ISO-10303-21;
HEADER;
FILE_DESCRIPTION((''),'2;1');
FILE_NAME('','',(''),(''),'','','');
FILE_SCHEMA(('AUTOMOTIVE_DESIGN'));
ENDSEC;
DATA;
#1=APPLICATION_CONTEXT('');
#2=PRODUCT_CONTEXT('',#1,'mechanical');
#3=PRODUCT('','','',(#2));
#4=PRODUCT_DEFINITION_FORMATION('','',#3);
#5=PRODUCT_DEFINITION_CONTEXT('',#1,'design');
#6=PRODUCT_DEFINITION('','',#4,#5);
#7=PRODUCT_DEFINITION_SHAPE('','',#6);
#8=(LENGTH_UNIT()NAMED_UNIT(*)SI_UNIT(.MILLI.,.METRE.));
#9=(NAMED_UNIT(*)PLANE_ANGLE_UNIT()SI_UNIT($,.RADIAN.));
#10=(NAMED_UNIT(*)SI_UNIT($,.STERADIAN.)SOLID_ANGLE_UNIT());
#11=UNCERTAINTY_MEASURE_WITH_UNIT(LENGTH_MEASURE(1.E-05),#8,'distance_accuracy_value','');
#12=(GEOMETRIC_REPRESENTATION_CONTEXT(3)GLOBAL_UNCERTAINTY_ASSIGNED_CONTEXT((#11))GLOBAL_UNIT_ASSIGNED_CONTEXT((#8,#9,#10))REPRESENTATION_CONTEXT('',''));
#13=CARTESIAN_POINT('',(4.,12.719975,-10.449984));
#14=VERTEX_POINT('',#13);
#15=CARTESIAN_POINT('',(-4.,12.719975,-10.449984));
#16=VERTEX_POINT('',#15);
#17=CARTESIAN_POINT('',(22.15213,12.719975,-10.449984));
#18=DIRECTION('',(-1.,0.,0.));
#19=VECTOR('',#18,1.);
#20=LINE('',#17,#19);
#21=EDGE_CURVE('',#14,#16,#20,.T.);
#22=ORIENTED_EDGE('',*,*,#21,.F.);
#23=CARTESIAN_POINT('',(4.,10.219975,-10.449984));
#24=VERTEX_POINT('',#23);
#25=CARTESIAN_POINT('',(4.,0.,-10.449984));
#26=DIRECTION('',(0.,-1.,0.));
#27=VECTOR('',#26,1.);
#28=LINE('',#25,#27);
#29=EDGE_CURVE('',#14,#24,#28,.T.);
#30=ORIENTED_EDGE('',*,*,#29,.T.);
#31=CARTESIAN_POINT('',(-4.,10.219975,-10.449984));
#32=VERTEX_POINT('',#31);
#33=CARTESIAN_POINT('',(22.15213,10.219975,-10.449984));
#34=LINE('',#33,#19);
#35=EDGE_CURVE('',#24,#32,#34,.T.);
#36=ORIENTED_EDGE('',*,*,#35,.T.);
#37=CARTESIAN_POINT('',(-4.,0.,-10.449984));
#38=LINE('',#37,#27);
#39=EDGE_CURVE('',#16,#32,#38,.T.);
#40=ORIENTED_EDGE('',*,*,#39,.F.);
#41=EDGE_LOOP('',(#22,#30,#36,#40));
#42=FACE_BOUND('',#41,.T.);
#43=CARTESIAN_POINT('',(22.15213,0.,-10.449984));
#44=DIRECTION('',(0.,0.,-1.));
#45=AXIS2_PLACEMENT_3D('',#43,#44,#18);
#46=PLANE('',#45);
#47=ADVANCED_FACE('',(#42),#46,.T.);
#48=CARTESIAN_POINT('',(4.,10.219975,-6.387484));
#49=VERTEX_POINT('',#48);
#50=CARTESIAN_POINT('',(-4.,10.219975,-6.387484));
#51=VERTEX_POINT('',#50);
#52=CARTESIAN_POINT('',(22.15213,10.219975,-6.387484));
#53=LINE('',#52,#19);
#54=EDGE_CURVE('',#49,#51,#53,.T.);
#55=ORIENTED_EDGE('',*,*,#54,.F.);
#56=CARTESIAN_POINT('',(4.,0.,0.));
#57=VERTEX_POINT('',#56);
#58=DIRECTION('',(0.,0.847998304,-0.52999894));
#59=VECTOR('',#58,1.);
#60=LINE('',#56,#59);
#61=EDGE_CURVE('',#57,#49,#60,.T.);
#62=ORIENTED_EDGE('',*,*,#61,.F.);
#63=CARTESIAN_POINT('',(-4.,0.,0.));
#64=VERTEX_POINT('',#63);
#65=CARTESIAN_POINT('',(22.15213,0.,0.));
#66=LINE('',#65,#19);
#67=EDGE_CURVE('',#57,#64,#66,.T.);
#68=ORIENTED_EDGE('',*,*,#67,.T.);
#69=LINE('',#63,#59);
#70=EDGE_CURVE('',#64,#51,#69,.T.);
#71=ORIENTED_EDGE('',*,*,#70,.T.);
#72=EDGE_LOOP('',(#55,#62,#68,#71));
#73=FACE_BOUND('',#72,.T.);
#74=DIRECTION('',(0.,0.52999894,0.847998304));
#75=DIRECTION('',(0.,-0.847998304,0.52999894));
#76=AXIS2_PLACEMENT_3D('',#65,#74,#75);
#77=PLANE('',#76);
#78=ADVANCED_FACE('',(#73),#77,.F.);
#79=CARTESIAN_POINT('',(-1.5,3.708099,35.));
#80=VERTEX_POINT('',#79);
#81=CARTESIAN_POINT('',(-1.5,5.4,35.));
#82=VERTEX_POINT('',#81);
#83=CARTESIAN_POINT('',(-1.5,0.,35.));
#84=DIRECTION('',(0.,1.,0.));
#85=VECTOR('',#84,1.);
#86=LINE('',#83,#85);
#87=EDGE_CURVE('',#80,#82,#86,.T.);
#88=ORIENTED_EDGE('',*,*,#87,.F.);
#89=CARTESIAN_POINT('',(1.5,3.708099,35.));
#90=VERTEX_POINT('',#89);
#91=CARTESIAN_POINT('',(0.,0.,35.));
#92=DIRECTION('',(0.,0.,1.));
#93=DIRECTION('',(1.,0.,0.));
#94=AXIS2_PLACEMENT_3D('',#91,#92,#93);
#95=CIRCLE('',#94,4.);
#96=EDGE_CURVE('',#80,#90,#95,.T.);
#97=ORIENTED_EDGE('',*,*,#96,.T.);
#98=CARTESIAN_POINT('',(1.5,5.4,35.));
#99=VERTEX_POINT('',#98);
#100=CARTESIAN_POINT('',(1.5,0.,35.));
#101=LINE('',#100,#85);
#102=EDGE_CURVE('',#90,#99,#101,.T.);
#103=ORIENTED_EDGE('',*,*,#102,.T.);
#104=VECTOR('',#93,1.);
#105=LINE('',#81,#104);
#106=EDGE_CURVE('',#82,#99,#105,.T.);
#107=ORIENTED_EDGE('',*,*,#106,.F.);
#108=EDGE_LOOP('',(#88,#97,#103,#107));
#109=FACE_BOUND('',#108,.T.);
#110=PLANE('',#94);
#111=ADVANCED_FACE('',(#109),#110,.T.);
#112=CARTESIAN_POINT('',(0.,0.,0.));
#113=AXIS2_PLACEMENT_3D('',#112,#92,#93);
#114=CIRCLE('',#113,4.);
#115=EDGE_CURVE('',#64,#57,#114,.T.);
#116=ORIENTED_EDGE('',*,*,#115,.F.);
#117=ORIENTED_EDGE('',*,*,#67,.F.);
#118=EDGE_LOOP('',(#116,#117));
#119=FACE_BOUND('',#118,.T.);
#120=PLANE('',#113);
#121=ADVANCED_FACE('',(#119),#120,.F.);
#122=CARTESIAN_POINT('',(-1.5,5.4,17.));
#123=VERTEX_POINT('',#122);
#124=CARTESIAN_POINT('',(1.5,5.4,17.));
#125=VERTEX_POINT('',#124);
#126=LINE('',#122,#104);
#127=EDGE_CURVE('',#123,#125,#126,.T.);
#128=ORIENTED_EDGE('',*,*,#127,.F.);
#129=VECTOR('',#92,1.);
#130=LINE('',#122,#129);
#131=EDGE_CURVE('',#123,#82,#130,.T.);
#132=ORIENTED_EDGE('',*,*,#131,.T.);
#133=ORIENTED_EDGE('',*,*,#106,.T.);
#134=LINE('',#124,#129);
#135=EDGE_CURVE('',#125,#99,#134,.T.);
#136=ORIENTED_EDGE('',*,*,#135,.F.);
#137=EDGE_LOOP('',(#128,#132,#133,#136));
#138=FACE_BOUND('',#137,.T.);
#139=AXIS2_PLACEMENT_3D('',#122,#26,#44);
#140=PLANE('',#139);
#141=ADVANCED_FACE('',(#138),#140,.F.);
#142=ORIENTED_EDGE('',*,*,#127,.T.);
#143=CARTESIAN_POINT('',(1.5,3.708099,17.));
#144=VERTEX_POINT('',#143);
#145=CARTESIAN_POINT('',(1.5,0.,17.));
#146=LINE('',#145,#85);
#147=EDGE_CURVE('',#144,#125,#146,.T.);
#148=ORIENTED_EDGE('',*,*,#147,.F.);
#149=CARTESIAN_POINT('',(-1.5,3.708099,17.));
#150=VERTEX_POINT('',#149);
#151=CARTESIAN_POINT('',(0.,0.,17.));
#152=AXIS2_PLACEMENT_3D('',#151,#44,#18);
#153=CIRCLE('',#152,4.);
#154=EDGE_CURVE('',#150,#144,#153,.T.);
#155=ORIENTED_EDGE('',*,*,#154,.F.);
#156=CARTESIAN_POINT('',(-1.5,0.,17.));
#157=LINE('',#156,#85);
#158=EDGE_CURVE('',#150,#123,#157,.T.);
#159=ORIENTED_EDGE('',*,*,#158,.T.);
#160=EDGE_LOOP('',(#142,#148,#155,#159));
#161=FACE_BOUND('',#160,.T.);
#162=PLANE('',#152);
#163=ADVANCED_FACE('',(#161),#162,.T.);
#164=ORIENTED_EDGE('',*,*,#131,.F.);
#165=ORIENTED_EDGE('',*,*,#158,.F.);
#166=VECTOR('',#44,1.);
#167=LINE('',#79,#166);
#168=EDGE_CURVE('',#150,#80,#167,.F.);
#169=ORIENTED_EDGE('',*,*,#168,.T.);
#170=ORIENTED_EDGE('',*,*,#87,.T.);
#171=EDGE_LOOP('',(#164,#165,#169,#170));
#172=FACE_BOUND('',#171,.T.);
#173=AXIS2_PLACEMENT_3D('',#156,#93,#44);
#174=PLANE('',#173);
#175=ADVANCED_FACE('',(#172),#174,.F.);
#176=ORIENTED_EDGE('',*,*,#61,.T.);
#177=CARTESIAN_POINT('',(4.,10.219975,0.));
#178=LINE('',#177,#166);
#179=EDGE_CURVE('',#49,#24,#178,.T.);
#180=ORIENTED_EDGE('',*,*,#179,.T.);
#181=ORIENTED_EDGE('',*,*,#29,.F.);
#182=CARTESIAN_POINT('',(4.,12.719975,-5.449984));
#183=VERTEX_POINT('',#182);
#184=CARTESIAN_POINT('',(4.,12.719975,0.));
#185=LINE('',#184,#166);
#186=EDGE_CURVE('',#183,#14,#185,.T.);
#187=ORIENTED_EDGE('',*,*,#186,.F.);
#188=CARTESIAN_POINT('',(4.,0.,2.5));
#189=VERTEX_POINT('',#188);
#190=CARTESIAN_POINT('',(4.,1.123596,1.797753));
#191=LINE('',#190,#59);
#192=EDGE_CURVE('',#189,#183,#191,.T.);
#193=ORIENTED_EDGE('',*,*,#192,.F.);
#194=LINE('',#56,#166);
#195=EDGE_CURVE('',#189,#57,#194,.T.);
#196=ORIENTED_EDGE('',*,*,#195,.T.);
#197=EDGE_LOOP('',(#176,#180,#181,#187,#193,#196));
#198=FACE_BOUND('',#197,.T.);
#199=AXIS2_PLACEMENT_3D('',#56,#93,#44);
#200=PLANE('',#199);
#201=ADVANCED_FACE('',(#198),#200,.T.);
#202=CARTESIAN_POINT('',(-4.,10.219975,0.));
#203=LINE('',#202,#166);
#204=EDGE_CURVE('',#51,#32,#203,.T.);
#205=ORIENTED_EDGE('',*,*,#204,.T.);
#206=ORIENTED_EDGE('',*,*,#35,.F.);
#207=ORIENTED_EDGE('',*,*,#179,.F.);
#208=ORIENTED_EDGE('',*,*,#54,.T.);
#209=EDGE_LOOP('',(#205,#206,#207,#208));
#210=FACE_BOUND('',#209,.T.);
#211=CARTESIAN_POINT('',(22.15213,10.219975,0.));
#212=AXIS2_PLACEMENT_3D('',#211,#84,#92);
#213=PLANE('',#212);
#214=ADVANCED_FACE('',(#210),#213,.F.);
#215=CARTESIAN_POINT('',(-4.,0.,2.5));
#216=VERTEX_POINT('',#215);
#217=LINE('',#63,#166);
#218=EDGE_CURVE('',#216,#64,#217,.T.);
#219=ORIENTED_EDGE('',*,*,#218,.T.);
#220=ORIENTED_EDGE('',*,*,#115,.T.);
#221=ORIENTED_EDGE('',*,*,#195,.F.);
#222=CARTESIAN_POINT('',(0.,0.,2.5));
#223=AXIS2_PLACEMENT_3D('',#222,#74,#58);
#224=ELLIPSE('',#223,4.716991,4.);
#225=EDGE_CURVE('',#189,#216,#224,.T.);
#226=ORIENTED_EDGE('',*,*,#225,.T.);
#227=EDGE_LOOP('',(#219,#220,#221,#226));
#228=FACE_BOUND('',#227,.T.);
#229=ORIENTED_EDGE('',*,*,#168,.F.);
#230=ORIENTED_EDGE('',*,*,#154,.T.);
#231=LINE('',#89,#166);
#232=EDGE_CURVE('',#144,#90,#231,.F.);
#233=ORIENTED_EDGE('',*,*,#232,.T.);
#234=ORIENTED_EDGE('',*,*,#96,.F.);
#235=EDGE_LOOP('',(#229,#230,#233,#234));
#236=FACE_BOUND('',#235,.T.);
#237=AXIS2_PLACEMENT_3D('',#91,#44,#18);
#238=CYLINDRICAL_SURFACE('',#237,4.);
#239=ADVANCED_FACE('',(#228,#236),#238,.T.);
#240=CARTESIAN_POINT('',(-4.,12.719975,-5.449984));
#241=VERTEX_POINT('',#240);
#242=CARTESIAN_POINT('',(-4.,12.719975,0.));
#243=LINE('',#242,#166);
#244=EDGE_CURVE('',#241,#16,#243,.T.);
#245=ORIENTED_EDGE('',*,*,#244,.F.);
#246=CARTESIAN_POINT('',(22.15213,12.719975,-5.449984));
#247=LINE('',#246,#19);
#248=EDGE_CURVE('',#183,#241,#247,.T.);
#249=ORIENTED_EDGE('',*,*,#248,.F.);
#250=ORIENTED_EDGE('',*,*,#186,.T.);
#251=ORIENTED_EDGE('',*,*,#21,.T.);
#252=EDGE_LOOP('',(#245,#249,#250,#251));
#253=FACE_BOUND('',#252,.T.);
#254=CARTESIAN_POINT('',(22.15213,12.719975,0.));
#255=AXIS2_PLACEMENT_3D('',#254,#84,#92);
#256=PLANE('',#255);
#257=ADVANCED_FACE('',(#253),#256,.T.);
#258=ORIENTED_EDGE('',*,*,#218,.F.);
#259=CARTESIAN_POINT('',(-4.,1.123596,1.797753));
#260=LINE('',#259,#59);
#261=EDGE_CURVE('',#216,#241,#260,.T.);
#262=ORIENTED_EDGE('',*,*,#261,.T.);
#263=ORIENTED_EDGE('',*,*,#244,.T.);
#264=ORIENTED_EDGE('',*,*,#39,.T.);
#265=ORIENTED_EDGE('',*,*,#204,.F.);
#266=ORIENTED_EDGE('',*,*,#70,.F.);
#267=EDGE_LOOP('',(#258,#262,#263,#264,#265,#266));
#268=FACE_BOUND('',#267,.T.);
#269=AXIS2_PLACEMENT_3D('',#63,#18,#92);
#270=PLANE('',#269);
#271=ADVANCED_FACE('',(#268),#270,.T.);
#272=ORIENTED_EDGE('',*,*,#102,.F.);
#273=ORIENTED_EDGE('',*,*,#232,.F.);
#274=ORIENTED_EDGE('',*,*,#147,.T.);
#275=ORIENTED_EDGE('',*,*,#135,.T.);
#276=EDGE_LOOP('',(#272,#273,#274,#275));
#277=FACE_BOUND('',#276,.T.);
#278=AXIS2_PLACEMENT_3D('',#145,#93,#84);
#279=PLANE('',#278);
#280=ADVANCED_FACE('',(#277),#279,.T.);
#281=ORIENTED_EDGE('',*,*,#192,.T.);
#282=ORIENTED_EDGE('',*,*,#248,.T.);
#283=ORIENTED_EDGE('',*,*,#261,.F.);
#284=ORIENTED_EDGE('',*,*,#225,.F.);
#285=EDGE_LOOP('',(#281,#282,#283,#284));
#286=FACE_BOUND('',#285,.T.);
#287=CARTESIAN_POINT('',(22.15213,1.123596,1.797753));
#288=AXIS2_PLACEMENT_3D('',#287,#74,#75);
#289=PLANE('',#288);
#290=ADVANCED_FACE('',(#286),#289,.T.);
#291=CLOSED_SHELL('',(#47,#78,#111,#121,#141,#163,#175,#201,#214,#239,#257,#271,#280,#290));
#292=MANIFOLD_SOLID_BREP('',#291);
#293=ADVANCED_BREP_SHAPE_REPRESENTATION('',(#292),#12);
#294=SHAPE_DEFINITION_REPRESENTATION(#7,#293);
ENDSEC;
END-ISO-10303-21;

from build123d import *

# Parameters (mm, degrees)
SKETCH1_R                = 4
BOSS_EXTRUDE1_DEPTH      = 35
BOSS_EXTRUDE2_DEPTH      = 4
BOSS_EXTRUDE2_DEPTH_BACK = 4
SKETCH4_W                = 3
SKETCH4_H                = 5.4
BOSS_EXTRUDE3_DEPTH      = 18


with BuildPart() as part:
    # Sketch1 → Boss-Extrude1 (new body)
    with BuildSketch(Plane.XY):
        Circle(SKETCH1_R)
    extrude(amount=BOSS_EXTRUDE1_DEPTH)

    # Sketch2 → Boss-Extrude2 (add, two sides)
    with BuildSketch(Plane(origin=(0, 0, 0), x_dir=(0, 0, -1), z_dir=(1, 0, 0))) as boss_extrude2_sk:
        Polygon((5.4499841, 12.71997456), (-2.5, 0), (0, 0), (6.3874841, 10.21997456), (10.4499841, 10.21997456), (10.4499841, 12.71997456), (7.9499841, 12.71997456), align=None)
    extrude(amount=BOSS_EXTRUDE2_DEPTH)
    extrude(boss_extrude2_sk.sketch, amount=-BOSS_EXTRUDE2_DEPTH_BACK)

    # Sketch4 → Boss-Extrude3 (add)
    with BuildSketch(Plane.XY.offset(35)):
        with Locations((0, 2.7)):
            Rectangle(SKETCH4_W, SKETCH4_H)
    extrude(amount=-BOSS_EXTRUDE3_DEPTH)


solid = part.part
